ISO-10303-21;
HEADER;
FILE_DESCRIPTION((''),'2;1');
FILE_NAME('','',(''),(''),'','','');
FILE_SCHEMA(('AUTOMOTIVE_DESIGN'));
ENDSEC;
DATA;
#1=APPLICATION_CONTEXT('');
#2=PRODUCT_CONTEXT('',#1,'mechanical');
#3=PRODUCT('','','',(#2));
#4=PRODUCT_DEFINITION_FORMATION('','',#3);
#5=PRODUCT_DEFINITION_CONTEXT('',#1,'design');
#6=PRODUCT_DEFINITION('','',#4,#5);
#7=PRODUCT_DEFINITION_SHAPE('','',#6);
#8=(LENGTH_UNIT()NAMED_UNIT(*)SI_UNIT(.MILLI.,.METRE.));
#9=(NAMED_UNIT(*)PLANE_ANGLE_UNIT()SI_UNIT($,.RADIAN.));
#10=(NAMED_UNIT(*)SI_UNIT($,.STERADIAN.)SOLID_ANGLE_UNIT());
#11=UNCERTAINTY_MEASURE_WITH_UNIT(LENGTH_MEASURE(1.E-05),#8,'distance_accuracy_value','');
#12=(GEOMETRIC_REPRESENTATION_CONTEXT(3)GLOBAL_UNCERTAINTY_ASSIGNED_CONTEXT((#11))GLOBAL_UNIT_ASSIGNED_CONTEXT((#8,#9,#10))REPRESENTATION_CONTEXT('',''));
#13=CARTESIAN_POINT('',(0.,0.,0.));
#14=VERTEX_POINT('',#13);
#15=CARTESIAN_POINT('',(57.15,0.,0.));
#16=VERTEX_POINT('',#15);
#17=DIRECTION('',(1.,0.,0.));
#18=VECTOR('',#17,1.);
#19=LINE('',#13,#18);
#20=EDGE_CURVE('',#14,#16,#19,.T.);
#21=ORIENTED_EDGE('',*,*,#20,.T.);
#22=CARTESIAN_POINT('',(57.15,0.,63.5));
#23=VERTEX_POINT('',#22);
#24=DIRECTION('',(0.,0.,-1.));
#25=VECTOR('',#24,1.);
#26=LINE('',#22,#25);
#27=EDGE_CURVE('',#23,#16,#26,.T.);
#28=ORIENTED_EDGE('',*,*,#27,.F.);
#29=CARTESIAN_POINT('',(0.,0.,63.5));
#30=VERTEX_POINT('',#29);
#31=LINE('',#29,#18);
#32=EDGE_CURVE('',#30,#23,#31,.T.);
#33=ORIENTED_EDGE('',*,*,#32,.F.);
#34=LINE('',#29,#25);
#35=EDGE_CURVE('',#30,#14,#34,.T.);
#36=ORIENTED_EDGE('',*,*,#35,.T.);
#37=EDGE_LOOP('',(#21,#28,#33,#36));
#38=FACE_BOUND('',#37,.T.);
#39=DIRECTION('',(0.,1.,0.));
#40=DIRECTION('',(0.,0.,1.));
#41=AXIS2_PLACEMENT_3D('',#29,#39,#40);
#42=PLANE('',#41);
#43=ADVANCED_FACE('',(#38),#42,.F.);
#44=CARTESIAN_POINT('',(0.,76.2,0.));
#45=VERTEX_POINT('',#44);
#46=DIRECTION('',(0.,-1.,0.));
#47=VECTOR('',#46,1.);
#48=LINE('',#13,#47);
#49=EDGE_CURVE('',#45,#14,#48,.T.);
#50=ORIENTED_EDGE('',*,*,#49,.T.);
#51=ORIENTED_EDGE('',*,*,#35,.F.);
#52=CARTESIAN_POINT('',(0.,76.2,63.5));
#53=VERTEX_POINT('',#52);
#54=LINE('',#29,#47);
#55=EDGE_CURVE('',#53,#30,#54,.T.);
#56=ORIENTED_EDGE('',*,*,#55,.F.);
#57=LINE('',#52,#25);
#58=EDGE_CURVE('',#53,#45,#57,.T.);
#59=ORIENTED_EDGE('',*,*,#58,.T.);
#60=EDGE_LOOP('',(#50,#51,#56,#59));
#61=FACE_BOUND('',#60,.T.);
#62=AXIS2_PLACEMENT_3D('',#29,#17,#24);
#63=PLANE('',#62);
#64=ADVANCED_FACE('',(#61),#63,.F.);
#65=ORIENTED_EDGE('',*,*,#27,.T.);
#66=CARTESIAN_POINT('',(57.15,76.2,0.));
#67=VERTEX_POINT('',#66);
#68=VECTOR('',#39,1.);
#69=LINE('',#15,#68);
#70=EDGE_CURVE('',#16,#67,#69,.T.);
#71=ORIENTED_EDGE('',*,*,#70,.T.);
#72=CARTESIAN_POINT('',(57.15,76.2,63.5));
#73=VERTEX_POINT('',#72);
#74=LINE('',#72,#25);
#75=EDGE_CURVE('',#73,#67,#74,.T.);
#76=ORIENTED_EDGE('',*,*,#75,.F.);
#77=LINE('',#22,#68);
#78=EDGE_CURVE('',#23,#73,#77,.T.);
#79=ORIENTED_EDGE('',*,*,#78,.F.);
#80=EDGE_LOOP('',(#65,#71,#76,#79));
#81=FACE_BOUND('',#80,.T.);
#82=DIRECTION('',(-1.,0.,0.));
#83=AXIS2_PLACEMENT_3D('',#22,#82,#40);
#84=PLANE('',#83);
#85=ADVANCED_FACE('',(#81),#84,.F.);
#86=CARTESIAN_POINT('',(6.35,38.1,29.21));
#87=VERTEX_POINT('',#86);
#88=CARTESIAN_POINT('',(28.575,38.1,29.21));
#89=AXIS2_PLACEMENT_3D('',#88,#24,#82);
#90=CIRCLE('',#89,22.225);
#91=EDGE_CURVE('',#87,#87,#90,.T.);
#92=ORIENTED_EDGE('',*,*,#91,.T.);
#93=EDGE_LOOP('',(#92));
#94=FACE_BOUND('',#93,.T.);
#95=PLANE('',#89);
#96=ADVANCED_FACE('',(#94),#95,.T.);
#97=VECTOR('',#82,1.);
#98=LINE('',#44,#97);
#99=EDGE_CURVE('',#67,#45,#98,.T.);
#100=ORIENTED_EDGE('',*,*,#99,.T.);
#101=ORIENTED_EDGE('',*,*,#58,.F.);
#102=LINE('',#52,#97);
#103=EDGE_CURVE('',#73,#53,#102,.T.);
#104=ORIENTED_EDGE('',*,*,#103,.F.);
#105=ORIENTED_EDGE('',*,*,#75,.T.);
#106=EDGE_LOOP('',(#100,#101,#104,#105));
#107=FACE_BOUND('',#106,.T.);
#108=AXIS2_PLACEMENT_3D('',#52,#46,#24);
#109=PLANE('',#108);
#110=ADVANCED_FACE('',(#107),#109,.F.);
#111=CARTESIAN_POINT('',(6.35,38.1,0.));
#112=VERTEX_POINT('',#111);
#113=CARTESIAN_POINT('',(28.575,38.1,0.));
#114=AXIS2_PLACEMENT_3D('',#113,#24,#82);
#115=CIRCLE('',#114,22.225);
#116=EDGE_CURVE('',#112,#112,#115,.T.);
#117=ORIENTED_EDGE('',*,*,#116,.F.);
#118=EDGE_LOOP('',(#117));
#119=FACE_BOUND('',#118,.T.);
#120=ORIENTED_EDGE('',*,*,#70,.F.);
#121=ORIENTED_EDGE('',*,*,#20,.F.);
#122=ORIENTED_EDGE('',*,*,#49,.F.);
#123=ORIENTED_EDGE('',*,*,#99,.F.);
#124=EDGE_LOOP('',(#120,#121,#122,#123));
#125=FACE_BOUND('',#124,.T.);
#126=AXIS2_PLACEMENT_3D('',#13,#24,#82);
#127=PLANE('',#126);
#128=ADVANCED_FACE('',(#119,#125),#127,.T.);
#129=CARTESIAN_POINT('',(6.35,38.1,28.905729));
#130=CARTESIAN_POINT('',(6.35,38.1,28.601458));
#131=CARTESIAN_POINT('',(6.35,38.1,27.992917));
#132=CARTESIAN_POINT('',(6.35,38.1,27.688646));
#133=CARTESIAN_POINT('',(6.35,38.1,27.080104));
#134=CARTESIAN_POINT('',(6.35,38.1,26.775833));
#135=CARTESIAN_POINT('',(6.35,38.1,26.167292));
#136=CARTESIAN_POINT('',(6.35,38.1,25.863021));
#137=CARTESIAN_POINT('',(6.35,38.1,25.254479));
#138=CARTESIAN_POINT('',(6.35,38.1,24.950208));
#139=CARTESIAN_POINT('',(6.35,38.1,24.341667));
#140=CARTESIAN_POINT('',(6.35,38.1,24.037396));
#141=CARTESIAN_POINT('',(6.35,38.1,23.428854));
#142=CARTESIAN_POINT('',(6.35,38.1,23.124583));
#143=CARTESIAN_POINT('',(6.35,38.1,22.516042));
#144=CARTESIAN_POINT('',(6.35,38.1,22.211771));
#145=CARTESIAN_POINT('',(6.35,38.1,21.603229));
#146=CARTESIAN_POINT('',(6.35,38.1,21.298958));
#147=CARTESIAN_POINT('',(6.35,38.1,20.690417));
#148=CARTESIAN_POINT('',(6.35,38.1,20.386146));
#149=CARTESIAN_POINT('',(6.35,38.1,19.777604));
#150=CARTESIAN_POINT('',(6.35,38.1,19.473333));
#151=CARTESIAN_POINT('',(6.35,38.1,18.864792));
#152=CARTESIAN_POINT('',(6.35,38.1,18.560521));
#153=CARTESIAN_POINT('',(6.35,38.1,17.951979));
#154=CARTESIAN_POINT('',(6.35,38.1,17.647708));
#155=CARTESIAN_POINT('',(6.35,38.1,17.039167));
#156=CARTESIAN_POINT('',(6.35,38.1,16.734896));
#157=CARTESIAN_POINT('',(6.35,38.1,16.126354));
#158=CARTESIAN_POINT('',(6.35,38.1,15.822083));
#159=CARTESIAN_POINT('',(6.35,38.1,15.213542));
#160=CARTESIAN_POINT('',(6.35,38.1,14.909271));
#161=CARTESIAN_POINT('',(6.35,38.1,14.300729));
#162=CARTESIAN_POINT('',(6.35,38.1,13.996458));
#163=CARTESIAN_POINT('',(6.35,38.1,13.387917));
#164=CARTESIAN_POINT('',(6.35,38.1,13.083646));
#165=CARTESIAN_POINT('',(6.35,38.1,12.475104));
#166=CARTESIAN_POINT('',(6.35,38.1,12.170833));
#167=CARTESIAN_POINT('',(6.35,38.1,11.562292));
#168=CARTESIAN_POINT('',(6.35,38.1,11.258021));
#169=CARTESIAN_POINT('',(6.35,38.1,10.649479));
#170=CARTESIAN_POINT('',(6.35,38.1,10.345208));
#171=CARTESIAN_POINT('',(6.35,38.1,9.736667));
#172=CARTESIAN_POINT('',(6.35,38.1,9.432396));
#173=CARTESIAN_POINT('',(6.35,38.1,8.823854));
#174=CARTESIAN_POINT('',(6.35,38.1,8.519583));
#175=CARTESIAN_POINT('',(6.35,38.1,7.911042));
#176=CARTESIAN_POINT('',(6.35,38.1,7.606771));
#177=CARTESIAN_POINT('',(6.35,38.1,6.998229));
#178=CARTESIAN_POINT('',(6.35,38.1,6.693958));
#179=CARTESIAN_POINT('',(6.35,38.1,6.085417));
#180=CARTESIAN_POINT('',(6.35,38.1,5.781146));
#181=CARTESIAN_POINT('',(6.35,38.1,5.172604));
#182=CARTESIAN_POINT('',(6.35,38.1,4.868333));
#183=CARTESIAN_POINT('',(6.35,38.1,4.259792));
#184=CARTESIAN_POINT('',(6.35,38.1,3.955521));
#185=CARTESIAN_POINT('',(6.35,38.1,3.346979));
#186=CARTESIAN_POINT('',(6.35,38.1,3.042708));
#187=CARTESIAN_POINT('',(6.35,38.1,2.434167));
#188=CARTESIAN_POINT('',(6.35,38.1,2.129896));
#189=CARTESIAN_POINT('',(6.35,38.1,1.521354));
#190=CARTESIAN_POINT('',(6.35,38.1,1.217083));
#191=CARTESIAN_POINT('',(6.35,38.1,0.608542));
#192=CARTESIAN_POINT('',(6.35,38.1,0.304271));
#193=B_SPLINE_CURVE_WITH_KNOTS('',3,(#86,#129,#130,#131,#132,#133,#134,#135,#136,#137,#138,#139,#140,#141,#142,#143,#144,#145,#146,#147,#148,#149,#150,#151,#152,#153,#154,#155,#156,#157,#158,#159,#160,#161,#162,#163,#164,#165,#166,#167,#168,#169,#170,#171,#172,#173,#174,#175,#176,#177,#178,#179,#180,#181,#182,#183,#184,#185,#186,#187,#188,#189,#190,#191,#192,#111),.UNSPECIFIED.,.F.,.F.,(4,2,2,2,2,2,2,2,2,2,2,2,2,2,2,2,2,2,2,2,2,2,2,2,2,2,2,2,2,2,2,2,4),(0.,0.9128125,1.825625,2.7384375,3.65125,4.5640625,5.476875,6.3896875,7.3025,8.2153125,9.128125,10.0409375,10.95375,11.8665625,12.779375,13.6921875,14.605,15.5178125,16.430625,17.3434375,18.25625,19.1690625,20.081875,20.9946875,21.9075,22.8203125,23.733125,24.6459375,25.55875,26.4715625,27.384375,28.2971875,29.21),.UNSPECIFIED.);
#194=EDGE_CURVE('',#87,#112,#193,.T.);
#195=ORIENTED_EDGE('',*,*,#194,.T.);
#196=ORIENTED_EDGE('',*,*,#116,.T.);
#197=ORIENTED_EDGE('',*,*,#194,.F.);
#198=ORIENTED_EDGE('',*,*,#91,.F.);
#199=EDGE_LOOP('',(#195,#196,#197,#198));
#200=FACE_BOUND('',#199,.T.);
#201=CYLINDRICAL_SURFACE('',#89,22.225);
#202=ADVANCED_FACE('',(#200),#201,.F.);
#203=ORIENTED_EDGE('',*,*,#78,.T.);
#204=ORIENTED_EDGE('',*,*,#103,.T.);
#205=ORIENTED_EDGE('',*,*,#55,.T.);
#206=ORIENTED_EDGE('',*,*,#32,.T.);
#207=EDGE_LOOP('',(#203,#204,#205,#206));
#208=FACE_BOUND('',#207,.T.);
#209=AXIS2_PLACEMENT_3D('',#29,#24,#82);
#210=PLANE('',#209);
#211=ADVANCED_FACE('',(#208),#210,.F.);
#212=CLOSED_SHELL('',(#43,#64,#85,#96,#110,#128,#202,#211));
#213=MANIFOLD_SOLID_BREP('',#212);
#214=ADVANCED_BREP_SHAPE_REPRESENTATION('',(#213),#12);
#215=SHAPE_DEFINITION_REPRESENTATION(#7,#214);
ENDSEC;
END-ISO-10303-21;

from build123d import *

# Parameters (mm, degrees)
SKETCH1_W           = 57.15
SKETCH1_H           = 76.2
BOSS_EXTRUDE1_DEPTH = 63.5
SKETCH2_R           = 22.225
CUT_EXTRUDE1_DEPTH  = 29.21


with BuildPart() as part:
    # Sketch1 → Boss-Extrude1 (new body)
    with BuildSketch(Plane.XY):
        with Locations((28.575, 38.1)):
            Rectangle(SKETCH1_W, SKETCH1_H)
    extrude(amount=BOSS_EXTRUDE1_DEPTH)

    # Sketch2 → Cut-Extrude1 (cut)
    with BuildSketch(Plane(origin=(0, 0, 0), x_dir=(-1, 0, 0), z_dir=(0, 0, -1))):
        with Locations((-28.575, 38.1)):
            Circle(SKETCH2_R)
    extrude(amount=-CUT_EXTRUDE1_DEPTH, mode=Mode.SUBTRACT)


solid = part.part
